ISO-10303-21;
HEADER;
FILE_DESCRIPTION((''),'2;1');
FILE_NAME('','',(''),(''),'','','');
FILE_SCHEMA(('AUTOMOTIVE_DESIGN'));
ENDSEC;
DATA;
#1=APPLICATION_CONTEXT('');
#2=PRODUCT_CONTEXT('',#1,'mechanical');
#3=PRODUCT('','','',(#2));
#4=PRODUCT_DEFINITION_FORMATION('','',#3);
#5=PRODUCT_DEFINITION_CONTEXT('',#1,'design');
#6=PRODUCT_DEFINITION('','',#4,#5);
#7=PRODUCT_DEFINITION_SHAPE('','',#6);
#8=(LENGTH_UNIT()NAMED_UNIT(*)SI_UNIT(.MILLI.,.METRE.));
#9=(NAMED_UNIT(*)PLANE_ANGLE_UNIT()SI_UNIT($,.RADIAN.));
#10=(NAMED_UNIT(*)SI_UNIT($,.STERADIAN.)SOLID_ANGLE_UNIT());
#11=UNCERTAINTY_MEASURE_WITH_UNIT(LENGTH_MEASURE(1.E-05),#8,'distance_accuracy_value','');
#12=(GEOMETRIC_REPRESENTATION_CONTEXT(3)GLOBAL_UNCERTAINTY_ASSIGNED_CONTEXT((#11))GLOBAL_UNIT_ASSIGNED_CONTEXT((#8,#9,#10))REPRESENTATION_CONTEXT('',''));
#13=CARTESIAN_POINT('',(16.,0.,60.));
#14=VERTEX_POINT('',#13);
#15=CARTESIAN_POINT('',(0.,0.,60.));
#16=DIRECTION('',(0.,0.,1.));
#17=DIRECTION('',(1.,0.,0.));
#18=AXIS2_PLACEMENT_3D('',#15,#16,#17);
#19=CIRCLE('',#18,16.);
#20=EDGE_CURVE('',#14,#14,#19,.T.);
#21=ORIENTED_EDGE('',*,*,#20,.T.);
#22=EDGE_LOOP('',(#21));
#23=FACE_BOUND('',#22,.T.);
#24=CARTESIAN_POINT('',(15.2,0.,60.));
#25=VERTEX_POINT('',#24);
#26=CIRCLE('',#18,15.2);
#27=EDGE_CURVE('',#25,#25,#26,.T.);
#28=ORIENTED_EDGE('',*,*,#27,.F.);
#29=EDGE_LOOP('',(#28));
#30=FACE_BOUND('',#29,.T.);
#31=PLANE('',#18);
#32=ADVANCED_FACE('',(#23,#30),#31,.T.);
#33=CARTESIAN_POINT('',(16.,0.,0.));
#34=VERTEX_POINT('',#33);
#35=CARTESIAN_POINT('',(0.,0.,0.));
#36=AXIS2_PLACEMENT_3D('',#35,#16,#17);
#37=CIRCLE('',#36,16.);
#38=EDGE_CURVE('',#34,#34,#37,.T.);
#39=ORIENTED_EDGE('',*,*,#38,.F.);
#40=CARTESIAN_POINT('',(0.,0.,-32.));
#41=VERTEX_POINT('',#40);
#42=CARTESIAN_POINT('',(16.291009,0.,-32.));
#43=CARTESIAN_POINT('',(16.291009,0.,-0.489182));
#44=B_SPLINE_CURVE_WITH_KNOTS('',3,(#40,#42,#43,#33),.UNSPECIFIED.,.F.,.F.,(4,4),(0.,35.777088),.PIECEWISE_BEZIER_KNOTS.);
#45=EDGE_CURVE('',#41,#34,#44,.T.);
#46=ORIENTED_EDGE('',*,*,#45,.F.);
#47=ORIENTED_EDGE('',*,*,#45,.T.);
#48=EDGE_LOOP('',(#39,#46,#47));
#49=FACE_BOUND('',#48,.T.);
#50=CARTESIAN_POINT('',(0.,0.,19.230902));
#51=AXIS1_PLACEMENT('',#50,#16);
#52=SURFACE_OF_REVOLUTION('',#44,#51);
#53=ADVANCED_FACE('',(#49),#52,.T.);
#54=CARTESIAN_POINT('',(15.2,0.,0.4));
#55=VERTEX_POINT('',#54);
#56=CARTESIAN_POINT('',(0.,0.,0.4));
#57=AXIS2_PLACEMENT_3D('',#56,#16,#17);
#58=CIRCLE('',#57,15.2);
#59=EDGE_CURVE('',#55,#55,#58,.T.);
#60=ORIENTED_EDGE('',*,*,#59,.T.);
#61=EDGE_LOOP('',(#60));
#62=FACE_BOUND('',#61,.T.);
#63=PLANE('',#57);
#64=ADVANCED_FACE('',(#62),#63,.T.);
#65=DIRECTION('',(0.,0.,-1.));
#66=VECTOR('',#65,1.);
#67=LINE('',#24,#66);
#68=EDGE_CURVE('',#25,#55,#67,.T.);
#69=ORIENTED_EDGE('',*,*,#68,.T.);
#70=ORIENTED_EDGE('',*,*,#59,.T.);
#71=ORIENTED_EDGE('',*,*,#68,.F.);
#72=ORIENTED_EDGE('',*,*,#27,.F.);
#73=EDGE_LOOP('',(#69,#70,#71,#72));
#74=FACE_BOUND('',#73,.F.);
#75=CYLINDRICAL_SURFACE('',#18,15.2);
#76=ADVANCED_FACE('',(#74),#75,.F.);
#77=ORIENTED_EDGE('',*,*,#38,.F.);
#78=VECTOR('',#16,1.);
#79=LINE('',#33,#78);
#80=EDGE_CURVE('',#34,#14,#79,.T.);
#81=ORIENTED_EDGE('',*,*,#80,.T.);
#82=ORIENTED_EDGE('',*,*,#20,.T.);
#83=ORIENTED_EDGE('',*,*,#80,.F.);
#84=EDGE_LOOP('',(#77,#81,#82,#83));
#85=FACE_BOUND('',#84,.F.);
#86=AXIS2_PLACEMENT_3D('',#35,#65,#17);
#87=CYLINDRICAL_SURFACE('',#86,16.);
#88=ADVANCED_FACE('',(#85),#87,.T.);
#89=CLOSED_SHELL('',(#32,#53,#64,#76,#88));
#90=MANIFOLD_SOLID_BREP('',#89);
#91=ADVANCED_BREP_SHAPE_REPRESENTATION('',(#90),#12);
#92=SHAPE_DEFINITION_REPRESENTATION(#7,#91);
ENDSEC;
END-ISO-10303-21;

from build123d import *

# Parameters (mm, degrees)
F0_R     = 16
F1_DEPTH = 60
F2_R     = 15.2
F3_DEPTH = 59.6


with BuildPart() as f1:
    # F0 (on Top) → F1 (new body)
    with BuildSketch(Plane.XY):
        Circle(F0_R)
    extrude(amount=F1_DEPTH)

    # F2 (on face) → F3 (cut)
    with BuildSketch(Plane.XY.offset(60)):
        Circle(F2_R)
    extrude(amount=-F3_DEPTH, mode=Mode.SUBTRACT)

    # F5 (on Front) → F7 (revolve)
    with BuildSketch(Plane.XZ):
        with BuildLine():
            Line((0, 0), (0, -32))
            add(Edge.make_bspline(
                [(0, -32), (16.291009, -32), (16.291009, -0.489182), (16, 0)],
                knots=[0, 0, 0, 0, 35.777088, 35.777088, 35.777088, 35.777088], degree=3))
            Line((16, 0), (0, 0))
        make_face()
    revolve(axis=Axis((0, 0, 19.230902), (0, 0, 1)))


solid = f1.part
